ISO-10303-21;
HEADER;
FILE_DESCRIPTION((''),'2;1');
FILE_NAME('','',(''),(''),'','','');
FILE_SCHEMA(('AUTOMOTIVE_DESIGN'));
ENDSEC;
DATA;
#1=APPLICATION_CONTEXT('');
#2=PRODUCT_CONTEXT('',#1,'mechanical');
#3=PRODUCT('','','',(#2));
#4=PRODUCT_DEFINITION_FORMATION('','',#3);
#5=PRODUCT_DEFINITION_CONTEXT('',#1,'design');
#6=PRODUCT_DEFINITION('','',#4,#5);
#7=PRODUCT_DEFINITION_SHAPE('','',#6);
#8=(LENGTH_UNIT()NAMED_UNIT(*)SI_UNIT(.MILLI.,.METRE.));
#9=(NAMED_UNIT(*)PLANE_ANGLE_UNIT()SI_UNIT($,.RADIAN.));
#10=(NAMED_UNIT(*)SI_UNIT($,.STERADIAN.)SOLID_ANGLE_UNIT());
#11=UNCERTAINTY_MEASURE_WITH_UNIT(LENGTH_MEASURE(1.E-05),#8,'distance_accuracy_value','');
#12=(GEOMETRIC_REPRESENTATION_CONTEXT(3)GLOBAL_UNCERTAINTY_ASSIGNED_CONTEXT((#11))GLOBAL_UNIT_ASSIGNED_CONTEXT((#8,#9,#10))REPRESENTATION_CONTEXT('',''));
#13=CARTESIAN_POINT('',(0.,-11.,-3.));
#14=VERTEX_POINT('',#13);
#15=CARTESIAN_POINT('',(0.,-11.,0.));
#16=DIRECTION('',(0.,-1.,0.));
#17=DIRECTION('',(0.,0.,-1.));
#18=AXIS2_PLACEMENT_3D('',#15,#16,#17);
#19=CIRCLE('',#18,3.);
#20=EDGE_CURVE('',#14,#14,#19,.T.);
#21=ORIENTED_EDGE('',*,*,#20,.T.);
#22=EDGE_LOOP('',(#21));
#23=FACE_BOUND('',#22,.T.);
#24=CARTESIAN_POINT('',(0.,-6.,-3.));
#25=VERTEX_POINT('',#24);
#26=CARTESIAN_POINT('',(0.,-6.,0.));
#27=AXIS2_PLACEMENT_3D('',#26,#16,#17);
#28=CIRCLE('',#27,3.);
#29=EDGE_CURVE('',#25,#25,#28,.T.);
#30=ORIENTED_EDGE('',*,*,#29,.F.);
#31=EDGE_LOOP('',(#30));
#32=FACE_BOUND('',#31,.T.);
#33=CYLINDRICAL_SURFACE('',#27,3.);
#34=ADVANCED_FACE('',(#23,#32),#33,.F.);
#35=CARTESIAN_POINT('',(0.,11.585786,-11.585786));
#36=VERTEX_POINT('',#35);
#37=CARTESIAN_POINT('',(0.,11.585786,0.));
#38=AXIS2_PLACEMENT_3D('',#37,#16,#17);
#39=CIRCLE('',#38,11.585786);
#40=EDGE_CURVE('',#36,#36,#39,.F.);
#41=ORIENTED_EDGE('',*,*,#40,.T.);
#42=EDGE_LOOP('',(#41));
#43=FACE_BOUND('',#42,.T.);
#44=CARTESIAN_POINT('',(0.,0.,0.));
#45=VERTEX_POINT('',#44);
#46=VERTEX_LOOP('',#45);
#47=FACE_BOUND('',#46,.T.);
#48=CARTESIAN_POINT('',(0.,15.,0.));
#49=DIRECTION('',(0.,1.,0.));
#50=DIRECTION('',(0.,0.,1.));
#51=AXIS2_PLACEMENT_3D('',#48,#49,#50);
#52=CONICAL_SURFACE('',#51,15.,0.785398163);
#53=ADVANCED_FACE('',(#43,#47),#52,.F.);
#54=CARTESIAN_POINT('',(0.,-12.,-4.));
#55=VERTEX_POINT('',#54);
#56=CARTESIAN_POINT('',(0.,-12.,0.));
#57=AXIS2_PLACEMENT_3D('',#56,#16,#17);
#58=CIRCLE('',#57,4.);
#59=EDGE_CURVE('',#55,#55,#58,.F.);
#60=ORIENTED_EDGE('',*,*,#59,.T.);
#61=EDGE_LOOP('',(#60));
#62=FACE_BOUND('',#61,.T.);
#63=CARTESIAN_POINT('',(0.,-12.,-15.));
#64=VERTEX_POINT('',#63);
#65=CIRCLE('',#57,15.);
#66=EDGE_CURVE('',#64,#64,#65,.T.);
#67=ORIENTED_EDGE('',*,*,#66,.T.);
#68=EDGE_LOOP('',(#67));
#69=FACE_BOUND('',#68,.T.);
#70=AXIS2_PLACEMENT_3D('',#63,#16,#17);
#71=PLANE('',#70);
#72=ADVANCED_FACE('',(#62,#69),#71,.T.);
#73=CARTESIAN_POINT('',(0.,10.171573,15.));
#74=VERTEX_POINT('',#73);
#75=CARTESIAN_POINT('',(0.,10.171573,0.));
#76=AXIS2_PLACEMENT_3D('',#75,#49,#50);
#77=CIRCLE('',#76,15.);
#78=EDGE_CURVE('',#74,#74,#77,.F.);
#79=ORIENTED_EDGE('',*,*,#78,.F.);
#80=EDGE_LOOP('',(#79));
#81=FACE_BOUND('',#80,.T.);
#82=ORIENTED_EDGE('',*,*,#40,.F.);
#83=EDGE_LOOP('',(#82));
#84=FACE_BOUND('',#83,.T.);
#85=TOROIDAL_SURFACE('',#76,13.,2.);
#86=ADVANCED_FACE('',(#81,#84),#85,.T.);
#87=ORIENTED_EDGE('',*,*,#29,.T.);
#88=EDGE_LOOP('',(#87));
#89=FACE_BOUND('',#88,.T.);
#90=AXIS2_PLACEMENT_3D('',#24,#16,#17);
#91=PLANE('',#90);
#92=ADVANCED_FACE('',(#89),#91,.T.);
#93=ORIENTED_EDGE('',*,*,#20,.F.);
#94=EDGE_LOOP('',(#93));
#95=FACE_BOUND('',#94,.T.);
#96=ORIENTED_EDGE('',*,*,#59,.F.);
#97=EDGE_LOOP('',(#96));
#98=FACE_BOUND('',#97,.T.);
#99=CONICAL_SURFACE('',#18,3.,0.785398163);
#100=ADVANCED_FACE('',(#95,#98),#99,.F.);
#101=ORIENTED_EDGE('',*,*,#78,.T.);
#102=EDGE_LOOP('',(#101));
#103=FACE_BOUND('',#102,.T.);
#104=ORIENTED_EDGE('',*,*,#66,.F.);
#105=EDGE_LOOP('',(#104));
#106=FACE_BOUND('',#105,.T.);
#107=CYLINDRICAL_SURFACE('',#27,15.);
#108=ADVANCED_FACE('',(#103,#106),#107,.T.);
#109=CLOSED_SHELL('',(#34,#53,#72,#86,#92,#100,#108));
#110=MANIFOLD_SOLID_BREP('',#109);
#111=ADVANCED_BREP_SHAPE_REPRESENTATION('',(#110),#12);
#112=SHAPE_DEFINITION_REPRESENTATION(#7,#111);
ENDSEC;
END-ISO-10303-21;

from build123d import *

# Parameters (mm, degrees)
FILLET1_R     = 2
CHAMFER1_SIZE = 1


with BuildPart() as part:
    # Sketch1 → Revolve1 (revolve)
    with BuildSketch(Plane(origin=(0, 0, 0), x_dir=(0, 0, -1), z_dir=(1, 0, 0))):
        Polygon((0, 0), (15, 15), (15, -12), (3, -12), (3, -6), (0, -6), align=None)
    revolve(axis=Axis((0, -6, 0), (0, 1, 0)))

    # Fillet1
    fillet1_edges = [part.edges().sort_by_distance(p)[0] for p in [
        (0, 15, 15),
    ]]
    fillet(fillet1_edges, radius=FILLET1_R)

    # Chamfer1
    chamfer1_edges = [part.edges().sort_by_distance(p)[0] for p in [
        (0, -12, 3),
    ]]
    chamfer(chamfer1_edges, length=CHAMFER1_SIZE)


solid = part.part
